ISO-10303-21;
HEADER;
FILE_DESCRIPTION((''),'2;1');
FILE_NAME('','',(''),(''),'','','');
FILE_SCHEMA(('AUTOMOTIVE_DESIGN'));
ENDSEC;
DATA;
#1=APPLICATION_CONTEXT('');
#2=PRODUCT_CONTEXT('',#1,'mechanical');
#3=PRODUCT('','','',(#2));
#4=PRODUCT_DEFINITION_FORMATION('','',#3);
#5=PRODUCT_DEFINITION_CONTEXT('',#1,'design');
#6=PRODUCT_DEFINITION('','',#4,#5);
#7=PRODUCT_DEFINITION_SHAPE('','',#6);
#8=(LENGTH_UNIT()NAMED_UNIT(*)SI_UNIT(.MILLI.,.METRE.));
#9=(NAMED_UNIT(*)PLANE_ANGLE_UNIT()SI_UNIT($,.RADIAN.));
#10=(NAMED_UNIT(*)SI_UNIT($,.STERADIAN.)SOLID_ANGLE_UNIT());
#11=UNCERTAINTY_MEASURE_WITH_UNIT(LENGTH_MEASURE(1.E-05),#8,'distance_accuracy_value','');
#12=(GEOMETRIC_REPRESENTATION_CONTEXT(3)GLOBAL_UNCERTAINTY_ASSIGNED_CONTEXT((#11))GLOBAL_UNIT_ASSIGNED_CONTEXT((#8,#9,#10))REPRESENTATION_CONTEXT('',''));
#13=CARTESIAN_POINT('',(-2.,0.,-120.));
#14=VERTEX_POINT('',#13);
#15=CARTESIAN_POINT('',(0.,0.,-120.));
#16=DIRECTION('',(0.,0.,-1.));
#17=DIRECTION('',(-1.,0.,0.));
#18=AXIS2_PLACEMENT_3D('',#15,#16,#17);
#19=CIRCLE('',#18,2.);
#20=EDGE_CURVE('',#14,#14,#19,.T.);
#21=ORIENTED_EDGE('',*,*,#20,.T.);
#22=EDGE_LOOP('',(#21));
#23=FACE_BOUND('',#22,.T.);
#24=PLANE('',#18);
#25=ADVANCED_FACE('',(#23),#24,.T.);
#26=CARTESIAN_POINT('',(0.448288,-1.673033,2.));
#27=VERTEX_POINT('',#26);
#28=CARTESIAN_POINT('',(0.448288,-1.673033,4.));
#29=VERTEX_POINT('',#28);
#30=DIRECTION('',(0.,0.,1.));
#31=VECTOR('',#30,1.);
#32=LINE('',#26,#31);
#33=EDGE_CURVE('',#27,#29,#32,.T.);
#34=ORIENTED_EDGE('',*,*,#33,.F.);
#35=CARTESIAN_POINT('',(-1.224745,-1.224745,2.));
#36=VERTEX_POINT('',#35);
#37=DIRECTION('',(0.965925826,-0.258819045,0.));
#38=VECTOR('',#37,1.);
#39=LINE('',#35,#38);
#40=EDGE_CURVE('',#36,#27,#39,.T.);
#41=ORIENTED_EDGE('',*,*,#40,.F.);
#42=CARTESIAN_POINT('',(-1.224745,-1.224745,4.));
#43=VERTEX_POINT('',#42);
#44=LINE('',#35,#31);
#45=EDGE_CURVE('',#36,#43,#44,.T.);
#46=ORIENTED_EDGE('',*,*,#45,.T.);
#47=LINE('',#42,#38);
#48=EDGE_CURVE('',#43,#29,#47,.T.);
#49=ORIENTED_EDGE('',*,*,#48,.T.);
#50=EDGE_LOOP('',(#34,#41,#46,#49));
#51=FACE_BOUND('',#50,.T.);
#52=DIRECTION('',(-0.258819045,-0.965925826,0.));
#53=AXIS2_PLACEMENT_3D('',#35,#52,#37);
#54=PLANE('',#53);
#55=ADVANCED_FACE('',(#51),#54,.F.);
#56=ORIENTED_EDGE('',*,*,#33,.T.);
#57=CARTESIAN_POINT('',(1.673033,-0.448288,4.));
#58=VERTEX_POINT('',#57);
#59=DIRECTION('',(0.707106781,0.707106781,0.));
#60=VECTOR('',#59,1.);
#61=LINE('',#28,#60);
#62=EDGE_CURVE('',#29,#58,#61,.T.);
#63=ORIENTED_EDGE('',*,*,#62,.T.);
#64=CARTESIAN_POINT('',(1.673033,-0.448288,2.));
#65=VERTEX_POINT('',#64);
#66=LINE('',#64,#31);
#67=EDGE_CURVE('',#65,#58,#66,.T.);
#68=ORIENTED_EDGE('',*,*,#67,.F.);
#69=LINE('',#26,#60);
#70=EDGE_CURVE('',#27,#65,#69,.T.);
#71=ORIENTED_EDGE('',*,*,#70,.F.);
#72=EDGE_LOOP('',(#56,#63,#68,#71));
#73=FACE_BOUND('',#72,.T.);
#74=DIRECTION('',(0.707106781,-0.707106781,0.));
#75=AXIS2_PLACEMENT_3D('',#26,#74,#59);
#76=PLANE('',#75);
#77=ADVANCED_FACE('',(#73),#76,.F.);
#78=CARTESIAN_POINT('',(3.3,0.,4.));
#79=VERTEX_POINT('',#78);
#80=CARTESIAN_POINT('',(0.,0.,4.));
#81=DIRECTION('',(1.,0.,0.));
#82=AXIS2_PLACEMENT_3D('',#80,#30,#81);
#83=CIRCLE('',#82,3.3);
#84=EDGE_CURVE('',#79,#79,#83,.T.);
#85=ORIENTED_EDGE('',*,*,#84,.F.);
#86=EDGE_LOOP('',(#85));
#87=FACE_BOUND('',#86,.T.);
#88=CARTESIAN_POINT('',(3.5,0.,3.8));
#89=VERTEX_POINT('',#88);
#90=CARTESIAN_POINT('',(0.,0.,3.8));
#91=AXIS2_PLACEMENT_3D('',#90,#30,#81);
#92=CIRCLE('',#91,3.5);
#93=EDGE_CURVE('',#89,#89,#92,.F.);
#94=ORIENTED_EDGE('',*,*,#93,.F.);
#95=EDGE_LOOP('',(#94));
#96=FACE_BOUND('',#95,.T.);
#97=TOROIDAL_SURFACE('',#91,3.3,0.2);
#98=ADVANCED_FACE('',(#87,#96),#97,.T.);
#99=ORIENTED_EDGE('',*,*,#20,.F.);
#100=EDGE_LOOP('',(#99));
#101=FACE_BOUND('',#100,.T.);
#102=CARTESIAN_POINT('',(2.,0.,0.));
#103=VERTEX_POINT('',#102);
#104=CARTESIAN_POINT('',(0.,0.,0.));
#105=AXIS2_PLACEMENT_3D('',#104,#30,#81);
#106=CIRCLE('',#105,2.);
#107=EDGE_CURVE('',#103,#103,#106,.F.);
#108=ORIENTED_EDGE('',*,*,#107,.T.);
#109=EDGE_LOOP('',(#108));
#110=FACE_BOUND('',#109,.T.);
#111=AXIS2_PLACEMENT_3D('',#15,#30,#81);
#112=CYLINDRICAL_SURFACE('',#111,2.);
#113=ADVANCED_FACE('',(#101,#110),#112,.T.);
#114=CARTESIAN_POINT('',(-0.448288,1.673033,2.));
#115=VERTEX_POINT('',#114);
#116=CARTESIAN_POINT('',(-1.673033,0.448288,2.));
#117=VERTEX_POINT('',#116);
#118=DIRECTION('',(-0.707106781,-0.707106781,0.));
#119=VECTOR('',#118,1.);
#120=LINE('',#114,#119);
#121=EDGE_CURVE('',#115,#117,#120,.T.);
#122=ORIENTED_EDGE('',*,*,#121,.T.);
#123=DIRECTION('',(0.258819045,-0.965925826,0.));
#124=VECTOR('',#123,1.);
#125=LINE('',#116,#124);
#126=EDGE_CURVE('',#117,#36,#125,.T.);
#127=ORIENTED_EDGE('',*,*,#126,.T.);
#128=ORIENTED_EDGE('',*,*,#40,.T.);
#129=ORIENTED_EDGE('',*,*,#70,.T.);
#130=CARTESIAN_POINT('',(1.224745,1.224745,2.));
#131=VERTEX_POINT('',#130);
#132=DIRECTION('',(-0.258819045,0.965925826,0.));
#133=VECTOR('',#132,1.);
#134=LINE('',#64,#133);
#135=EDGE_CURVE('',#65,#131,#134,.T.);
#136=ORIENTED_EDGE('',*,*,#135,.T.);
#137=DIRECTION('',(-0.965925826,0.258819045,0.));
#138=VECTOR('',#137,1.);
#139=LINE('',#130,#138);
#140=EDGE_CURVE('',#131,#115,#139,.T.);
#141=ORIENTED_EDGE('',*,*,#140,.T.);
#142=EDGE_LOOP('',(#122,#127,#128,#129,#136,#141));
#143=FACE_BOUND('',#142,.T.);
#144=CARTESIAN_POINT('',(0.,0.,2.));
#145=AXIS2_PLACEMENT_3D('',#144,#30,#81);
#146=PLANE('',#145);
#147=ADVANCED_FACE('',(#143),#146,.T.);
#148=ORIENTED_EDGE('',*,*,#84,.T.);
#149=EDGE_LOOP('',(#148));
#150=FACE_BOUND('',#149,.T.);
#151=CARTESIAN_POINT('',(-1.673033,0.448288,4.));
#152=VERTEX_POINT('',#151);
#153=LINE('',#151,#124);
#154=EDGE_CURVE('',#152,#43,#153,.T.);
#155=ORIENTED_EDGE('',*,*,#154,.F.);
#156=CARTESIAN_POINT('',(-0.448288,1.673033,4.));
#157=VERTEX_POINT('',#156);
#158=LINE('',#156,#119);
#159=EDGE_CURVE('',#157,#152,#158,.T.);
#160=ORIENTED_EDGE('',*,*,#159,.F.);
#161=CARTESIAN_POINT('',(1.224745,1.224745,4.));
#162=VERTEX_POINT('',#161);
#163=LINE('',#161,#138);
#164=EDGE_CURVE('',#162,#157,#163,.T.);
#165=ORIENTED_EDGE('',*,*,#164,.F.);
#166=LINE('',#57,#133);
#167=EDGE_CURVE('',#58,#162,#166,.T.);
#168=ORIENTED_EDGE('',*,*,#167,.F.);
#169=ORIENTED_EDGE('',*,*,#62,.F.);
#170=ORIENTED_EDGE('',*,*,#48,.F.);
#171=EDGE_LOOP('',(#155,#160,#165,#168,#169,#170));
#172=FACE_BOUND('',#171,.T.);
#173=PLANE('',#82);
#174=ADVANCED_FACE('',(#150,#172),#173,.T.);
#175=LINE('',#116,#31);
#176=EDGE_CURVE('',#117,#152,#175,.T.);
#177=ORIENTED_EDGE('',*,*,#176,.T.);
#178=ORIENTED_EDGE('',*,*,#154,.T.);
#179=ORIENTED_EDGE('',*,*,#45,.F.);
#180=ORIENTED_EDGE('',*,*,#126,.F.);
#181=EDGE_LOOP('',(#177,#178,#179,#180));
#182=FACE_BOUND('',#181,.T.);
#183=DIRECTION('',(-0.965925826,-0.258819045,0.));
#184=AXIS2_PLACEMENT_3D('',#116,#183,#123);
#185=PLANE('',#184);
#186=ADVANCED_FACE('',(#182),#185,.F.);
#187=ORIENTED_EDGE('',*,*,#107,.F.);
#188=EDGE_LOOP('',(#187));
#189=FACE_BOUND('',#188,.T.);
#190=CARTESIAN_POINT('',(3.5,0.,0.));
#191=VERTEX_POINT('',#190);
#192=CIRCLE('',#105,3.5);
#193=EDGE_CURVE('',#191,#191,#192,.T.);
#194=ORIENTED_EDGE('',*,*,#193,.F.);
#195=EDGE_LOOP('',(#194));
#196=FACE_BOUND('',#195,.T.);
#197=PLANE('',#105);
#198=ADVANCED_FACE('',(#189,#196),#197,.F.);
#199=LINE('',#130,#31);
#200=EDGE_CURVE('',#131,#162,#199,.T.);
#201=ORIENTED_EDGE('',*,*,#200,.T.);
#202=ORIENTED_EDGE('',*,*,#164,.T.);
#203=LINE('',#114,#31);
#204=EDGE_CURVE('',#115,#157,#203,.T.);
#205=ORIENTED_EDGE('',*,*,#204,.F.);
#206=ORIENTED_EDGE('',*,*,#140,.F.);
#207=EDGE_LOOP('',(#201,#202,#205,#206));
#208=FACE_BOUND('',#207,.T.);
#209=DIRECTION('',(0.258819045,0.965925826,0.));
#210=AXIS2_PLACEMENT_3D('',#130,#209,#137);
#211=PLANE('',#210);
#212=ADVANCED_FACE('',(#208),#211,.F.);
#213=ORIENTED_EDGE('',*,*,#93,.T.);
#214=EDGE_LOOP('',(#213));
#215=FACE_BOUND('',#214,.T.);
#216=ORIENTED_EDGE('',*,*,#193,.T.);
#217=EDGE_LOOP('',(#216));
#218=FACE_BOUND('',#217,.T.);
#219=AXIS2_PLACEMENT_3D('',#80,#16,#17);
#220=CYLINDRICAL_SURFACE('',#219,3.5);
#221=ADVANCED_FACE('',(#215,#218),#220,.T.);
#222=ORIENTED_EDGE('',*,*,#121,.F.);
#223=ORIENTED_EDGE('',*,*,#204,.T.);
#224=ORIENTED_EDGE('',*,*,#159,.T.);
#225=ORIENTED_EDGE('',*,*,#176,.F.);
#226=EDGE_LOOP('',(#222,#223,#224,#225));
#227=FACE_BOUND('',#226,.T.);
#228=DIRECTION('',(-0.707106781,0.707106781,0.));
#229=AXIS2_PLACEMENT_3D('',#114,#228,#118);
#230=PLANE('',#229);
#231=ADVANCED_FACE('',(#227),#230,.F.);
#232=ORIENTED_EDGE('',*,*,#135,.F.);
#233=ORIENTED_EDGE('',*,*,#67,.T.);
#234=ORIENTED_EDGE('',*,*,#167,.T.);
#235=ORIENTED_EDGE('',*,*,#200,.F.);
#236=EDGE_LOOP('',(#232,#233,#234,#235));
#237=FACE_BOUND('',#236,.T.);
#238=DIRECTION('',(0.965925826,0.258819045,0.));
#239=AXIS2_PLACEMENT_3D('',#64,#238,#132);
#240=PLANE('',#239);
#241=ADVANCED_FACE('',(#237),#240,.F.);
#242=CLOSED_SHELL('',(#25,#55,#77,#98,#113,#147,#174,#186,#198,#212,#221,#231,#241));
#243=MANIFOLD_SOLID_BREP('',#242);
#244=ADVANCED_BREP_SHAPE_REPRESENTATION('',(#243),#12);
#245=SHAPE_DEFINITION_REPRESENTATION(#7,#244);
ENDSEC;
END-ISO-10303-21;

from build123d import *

# Parameters (mm, degrees)
SKETCH_1_R          = 3.5
EXTRUDE_1_DEPTH     = 4
CUT_EXTRUDE_1_DEPTH = 2
SKETCH_3_R          = 2
EXTRUDE_2_DEPTH     = 120
FILLET_1_R          = 0.2


with BuildPart() as part:
    # 草图1 → 凸台-拉伸1 (new body)
    with BuildSketch(Plane.XY):
        Circle(SKETCH_1_R)
    extrude(amount=EXTRUDE_1_DEPTH)

    # 草图2 → 切除-拉伸1 (cut)
    with BuildSketch(Plane.XY.offset(4)):
        Polygon((-1.224744871, -1.224744871), (0.448287736, -1.673032607), (1.673032607, -0.448287736), (1.224744871, 1.224744871), (-0.448287736, 1.673032607), (-1.673032607, 0.448287736), align=None)
    extrude(amount=-CUT_EXTRUDE_1_DEPTH, mode=Mode.SUBTRACT)

    # 草图3 → 凸台-拉伸2 (add)
    with BuildSketch(Plane(origin=(0, 0, 0), x_dir=(-1, 0, 0), z_dir=(0, 0, -1))):
        with Locations(Location((0, 0, 0), (0, 0, 180))):
            Circle(SKETCH_3_R)
    extrude(amount=EXTRUDE_2_DEPTH)

    # 圆角1
    fillet_1_edges = [part.edges().sort_by_distance(p)[0] for p in [
        (-3.5, 0, 4),
    ]]
    fillet(fillet_1_edges, radius=FILLET_1_R)


solid = part.part
